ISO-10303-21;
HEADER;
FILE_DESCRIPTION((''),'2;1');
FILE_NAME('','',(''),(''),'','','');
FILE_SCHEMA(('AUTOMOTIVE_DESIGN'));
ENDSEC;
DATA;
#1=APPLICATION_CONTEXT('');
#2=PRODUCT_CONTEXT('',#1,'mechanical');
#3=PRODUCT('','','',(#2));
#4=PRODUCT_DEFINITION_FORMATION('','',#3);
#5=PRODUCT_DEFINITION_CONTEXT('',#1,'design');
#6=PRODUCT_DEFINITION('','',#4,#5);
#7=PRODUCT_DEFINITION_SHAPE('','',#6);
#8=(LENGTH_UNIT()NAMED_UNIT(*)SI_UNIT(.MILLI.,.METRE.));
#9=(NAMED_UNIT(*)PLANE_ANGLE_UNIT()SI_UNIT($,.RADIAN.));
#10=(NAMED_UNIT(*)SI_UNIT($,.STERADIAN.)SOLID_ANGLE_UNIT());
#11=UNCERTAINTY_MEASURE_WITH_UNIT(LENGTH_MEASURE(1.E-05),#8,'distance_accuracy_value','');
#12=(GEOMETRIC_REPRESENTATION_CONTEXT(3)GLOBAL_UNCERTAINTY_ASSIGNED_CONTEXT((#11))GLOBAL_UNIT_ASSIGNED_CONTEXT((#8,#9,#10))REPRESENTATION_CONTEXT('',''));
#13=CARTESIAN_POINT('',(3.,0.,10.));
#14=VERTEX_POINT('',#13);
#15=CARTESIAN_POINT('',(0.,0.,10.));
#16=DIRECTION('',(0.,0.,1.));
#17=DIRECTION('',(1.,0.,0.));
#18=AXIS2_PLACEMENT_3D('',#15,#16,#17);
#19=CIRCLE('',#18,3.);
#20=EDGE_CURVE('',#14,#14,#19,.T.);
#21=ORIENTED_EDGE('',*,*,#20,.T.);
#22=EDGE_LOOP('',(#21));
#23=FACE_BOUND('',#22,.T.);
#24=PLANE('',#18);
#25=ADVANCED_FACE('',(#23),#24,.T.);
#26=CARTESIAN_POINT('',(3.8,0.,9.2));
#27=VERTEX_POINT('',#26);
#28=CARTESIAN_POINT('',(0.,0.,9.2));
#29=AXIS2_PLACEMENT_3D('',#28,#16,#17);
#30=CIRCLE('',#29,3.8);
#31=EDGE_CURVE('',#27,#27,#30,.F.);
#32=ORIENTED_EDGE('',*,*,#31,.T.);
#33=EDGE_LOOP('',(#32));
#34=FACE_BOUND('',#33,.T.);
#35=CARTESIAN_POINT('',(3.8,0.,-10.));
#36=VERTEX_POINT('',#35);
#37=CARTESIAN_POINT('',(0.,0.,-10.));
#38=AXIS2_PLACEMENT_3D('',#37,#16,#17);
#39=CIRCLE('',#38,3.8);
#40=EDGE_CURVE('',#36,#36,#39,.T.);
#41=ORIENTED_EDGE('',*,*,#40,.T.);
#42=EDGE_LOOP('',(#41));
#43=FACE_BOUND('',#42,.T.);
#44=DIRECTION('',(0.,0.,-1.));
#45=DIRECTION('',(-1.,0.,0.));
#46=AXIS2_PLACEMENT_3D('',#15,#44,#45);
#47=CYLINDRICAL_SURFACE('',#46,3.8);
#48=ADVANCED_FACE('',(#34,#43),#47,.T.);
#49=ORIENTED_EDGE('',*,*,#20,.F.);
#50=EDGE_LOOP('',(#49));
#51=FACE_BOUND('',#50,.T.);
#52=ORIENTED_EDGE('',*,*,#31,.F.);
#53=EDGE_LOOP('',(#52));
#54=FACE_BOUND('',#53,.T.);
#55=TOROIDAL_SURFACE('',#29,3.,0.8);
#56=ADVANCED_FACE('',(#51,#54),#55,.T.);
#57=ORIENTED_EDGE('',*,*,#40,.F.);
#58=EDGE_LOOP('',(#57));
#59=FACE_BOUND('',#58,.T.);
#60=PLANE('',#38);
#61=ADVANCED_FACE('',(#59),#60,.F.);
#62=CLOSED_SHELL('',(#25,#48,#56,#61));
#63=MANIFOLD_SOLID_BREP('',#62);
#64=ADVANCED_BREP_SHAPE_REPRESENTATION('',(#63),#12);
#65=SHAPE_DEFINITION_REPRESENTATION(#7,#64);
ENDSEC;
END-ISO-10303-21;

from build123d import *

# Parameters (mm, degrees)
SKETCH1_R           = 3.8
BOSS_EXTRUDE1_DEPTH = 10
FILLET1_R           = 0.8


with BuildPart() as part:
    # Sketch1 → Boss-Extrude1 (new body, symmetric)
    with BuildSketch(Plane.XY):
        Circle(SKETCH1_R)
    extrude(amount=BOSS_EXTRUDE1_DEPTH, both=True)

    # Fillet1
    fillet1_edges = [part.edges().sort_by_distance(p)[0] for p in [
        (-3.8, 0, 10),
    ]]
    fillet(fillet1_edges, radius=FILLET1_R)


solid = part.part
